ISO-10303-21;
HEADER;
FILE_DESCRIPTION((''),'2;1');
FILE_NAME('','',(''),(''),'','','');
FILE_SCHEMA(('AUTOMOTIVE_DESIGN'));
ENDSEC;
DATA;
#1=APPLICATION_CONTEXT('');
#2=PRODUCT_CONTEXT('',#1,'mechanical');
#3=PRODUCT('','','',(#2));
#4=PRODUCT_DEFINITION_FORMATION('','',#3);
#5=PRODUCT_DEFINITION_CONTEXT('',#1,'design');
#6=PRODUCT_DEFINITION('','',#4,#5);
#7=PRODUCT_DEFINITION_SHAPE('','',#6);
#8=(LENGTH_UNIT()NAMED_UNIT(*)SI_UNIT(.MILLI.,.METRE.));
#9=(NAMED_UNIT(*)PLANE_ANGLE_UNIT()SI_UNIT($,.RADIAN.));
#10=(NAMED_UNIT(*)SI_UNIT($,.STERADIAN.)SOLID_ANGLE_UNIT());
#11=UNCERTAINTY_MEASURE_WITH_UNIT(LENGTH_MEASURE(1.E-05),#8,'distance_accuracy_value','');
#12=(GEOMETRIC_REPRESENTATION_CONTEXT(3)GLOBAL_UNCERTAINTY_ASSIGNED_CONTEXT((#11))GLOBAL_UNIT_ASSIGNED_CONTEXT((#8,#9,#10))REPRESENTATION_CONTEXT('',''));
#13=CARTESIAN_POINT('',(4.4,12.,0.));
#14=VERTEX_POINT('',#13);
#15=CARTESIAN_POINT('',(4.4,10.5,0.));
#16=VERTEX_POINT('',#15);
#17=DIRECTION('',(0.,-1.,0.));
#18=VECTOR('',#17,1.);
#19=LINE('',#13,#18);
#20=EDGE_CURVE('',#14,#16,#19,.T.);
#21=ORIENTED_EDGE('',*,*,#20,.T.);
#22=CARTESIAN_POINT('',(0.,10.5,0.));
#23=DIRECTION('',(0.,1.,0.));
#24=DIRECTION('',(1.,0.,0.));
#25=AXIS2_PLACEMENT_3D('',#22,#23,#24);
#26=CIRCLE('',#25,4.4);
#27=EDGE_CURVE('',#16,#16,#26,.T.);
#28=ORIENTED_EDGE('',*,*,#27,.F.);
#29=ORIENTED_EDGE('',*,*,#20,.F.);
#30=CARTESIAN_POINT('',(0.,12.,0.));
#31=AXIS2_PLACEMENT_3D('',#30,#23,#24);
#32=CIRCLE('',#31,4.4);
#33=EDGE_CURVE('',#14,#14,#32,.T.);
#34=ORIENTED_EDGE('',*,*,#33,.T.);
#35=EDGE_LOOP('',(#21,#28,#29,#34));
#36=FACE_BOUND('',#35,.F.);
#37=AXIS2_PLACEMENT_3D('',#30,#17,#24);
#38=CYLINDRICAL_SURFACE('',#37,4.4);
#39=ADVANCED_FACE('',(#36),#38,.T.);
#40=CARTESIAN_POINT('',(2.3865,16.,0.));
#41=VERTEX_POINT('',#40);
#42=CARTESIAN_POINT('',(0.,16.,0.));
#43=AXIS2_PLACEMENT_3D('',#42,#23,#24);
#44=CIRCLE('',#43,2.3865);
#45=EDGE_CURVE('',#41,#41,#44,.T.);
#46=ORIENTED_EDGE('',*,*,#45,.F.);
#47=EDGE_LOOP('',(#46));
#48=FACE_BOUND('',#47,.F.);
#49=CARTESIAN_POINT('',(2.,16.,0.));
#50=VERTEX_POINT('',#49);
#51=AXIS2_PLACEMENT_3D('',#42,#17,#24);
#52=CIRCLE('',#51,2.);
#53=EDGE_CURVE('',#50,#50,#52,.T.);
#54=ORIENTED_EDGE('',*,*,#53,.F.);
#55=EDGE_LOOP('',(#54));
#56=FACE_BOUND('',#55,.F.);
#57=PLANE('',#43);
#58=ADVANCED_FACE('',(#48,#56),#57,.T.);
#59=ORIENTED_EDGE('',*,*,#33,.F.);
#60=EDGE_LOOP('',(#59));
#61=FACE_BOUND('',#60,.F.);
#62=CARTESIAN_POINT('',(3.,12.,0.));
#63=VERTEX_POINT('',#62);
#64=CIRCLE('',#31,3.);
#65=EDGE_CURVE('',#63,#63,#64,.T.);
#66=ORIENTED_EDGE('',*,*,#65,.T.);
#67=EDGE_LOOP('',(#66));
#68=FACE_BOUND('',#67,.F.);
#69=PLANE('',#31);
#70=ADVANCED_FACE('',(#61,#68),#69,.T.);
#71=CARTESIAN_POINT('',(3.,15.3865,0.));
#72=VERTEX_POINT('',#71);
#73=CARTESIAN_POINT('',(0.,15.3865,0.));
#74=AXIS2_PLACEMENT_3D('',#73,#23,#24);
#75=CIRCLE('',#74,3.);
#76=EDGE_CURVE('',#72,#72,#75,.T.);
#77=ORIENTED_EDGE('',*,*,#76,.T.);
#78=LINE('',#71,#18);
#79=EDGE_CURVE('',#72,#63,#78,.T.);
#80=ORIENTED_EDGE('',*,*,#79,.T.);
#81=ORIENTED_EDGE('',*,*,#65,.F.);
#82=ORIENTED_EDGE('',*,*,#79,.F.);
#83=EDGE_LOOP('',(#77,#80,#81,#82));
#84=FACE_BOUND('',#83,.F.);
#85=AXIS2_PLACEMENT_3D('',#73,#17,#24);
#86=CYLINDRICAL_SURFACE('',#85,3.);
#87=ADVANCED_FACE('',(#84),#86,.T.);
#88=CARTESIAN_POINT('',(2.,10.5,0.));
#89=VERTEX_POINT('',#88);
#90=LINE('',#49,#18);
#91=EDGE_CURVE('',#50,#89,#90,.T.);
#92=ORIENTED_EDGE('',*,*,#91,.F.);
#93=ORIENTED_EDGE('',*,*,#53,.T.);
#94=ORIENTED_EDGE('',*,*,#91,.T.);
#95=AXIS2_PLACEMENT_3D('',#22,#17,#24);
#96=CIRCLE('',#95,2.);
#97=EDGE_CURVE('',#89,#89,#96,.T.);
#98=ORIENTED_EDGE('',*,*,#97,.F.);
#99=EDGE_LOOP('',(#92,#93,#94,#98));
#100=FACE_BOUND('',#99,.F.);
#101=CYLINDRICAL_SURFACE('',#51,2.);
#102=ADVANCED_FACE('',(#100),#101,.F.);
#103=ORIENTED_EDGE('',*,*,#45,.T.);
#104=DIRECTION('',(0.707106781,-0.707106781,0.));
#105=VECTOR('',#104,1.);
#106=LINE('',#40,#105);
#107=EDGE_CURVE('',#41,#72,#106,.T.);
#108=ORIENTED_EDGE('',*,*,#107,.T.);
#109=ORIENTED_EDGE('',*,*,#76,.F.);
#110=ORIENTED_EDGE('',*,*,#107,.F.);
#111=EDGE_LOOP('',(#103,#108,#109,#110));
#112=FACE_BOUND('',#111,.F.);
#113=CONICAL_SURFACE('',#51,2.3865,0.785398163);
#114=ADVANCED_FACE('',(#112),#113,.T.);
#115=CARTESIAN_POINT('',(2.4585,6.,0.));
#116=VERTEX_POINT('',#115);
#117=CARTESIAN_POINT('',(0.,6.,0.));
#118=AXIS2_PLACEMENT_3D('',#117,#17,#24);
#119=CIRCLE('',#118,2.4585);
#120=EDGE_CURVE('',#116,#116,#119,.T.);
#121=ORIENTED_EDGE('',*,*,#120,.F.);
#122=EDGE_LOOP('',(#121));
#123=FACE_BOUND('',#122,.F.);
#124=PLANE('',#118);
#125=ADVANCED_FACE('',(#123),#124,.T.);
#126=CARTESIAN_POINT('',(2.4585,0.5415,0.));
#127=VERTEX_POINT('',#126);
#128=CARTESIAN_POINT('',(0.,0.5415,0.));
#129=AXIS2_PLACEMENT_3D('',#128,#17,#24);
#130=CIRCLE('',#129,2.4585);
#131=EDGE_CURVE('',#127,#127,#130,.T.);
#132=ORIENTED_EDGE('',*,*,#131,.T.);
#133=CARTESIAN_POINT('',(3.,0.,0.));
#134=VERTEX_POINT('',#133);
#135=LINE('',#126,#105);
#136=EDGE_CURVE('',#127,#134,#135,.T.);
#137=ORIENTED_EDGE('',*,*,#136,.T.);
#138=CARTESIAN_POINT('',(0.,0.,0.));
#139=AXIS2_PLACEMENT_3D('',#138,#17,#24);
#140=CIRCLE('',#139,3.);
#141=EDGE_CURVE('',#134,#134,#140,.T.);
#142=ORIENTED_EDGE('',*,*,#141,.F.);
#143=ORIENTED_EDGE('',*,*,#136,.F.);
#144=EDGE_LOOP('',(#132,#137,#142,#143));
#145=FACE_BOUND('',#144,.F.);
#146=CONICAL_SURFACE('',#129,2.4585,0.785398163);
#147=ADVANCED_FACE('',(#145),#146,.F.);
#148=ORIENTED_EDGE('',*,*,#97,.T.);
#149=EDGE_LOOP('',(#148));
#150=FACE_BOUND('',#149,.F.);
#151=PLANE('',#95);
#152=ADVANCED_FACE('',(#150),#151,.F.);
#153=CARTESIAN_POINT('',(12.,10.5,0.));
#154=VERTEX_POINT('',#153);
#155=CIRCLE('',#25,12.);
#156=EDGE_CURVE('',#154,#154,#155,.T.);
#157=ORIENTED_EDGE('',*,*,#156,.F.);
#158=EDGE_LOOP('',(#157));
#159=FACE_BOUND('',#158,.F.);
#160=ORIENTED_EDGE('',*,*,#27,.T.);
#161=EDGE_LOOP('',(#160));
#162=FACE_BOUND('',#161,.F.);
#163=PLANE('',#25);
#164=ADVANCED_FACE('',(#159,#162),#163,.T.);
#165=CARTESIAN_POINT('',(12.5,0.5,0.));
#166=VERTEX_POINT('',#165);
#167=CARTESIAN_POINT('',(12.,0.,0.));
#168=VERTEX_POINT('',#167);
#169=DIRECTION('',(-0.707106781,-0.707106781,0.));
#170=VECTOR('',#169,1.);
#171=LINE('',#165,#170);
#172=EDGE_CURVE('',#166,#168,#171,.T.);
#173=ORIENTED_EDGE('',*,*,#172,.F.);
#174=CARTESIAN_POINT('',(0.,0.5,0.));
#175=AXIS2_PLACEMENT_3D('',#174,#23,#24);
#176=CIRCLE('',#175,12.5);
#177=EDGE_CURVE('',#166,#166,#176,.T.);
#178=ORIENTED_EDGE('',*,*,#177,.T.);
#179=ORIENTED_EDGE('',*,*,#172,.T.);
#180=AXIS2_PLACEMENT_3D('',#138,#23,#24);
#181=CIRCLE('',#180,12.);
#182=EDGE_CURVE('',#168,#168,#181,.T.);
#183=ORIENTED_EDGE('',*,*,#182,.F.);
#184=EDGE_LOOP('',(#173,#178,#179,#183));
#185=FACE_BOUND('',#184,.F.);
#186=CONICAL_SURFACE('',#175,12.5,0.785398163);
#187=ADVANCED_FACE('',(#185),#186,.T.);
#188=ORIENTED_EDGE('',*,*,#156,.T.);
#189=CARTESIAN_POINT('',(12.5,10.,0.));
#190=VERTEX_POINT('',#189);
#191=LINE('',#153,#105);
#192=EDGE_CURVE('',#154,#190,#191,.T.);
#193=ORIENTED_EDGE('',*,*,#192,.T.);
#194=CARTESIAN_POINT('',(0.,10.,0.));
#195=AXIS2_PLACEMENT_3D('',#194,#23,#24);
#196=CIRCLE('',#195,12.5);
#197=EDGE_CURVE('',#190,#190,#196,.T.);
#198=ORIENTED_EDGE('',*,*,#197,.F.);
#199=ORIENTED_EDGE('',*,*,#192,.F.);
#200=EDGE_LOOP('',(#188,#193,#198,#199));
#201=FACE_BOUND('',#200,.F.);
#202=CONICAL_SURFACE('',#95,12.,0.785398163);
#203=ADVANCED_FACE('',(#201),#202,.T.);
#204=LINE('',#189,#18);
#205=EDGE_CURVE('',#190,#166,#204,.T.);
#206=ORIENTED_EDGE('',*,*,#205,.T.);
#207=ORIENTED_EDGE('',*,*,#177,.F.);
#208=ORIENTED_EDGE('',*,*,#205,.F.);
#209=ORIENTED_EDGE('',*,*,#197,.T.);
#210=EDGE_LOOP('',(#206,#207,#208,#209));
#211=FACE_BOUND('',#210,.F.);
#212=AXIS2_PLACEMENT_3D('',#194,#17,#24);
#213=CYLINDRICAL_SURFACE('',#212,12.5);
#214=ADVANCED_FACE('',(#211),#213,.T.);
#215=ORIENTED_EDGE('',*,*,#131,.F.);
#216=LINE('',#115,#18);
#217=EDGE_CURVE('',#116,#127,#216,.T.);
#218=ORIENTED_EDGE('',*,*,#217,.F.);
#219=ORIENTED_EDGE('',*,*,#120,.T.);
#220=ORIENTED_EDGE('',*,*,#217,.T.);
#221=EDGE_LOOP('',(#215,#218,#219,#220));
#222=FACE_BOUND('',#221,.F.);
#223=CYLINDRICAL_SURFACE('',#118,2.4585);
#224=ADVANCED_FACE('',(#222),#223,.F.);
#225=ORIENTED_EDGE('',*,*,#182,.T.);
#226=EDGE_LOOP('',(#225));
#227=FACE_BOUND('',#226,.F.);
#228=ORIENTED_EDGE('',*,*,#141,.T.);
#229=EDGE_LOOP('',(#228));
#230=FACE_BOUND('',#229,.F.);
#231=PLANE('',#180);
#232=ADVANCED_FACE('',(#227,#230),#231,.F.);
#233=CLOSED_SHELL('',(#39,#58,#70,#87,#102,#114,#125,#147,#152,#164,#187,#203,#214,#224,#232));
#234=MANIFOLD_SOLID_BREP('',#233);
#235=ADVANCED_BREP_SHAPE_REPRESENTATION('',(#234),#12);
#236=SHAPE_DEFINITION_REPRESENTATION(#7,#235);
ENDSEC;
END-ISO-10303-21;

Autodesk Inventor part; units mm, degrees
sketch "Sketch_6" plane through (0, 0, 0) normal (0, 0, 1) x (1, 0, 0)
  line L0 (0, 0) -> (0, 16)
  line L1 (0, 16) -> (2.3865, 16)
  line L2 (2.3865, 16) -> (3, 15.3865)
  line L3 (3, 15.3865) -> (3, 12)
  line L4 (3, 12) -> (4.4, 12)
  line L5 (4.4, 12) -> (4.4, 10.5)
  line L6 (4.4, 10.5) -> (12, 10.5)
  line L7 (12, 10.5) -> (12.5, 10)
  line L8 (12.5, 10) -> (12.5, 0.5)
  line L9 (12.5, 0.5) -> (12, 0)
  line L10 (12, 0) -> (0, 0)
  line L11 (0, 0) -> (0, 16)
revolve "Revolution1" add sketch "Sketch_6" angle 360 about axis through (0, 0, 0) along (0, 1, 0)
thread "Thread1" size "M6x1" class "6g" standard "ISO Metric profile" full length
sketch "Sketch_4" plane through (0, 0, 0) normal (0, 0, 1) x (1, 0, 0)
  line L0 (0, 0) -> (0, 6)
  line L1 (0, 6) -> (2.4585, 6)
  line L2 (2.4585, 6) -> (2.4585, 0.5415)
  line L3 (2.4585, 0.5415) -> (3, 0)
  line L4 (3, 0) -> (0, 0)
  line L5 (0, 0) -> (0, 6)
revolve "Revolution2" cut sketch "Sketch_4" angle 360 about axis through (0, 0, 0) along (0, -1, 0)
thread "Thread2" size "M6x1" class "6H" standard "ISO Metric profile" full length
sketch "Sketch_5" plane through (0, 0, 0) normal (0, 0, 1) x (1, 0, 0)
  line L0 (0, 10.5) -> (0, 16)
  line L1 (0, 16) -> (2, 16)
  line L2 (2, 16) -> (2, 10.5)
  line L3 (2, 10.5) -> (0, 10.5)
  line L4 (0, 10.5) -> (0, 16)
revolve "Revolution3" cut sketch "Sketch_5" angle 360 about axis through (0, 10.5, 0) along (0, -1, 0)
ref_plane "oben_XY" through (0, 12, 0) normal (0, 1, 0) x (1, 0, 0)
ref_plane "oben_YZ" through (0, 12, 0) normal (1, 0, 0) x (0, 0, -1)
ref_plane "oben_ZX" through (0, 12, 0) normal (0, 0, -1) x (0, 1, 0)
ref_plane "unten_XY" through (0, 0, 0) normal (0, 1, 0) x (1, 0, 0)
ref_plane "unten_YZ" through (0, 0, 0) normal (1, 0, 0) x (0, 0, -1)
ref_plane "unten_ZX" through (0, 0, 0) normal (0, 0, -1) x (0, 1, 0)
properties part number "191203 ESF-4A"
